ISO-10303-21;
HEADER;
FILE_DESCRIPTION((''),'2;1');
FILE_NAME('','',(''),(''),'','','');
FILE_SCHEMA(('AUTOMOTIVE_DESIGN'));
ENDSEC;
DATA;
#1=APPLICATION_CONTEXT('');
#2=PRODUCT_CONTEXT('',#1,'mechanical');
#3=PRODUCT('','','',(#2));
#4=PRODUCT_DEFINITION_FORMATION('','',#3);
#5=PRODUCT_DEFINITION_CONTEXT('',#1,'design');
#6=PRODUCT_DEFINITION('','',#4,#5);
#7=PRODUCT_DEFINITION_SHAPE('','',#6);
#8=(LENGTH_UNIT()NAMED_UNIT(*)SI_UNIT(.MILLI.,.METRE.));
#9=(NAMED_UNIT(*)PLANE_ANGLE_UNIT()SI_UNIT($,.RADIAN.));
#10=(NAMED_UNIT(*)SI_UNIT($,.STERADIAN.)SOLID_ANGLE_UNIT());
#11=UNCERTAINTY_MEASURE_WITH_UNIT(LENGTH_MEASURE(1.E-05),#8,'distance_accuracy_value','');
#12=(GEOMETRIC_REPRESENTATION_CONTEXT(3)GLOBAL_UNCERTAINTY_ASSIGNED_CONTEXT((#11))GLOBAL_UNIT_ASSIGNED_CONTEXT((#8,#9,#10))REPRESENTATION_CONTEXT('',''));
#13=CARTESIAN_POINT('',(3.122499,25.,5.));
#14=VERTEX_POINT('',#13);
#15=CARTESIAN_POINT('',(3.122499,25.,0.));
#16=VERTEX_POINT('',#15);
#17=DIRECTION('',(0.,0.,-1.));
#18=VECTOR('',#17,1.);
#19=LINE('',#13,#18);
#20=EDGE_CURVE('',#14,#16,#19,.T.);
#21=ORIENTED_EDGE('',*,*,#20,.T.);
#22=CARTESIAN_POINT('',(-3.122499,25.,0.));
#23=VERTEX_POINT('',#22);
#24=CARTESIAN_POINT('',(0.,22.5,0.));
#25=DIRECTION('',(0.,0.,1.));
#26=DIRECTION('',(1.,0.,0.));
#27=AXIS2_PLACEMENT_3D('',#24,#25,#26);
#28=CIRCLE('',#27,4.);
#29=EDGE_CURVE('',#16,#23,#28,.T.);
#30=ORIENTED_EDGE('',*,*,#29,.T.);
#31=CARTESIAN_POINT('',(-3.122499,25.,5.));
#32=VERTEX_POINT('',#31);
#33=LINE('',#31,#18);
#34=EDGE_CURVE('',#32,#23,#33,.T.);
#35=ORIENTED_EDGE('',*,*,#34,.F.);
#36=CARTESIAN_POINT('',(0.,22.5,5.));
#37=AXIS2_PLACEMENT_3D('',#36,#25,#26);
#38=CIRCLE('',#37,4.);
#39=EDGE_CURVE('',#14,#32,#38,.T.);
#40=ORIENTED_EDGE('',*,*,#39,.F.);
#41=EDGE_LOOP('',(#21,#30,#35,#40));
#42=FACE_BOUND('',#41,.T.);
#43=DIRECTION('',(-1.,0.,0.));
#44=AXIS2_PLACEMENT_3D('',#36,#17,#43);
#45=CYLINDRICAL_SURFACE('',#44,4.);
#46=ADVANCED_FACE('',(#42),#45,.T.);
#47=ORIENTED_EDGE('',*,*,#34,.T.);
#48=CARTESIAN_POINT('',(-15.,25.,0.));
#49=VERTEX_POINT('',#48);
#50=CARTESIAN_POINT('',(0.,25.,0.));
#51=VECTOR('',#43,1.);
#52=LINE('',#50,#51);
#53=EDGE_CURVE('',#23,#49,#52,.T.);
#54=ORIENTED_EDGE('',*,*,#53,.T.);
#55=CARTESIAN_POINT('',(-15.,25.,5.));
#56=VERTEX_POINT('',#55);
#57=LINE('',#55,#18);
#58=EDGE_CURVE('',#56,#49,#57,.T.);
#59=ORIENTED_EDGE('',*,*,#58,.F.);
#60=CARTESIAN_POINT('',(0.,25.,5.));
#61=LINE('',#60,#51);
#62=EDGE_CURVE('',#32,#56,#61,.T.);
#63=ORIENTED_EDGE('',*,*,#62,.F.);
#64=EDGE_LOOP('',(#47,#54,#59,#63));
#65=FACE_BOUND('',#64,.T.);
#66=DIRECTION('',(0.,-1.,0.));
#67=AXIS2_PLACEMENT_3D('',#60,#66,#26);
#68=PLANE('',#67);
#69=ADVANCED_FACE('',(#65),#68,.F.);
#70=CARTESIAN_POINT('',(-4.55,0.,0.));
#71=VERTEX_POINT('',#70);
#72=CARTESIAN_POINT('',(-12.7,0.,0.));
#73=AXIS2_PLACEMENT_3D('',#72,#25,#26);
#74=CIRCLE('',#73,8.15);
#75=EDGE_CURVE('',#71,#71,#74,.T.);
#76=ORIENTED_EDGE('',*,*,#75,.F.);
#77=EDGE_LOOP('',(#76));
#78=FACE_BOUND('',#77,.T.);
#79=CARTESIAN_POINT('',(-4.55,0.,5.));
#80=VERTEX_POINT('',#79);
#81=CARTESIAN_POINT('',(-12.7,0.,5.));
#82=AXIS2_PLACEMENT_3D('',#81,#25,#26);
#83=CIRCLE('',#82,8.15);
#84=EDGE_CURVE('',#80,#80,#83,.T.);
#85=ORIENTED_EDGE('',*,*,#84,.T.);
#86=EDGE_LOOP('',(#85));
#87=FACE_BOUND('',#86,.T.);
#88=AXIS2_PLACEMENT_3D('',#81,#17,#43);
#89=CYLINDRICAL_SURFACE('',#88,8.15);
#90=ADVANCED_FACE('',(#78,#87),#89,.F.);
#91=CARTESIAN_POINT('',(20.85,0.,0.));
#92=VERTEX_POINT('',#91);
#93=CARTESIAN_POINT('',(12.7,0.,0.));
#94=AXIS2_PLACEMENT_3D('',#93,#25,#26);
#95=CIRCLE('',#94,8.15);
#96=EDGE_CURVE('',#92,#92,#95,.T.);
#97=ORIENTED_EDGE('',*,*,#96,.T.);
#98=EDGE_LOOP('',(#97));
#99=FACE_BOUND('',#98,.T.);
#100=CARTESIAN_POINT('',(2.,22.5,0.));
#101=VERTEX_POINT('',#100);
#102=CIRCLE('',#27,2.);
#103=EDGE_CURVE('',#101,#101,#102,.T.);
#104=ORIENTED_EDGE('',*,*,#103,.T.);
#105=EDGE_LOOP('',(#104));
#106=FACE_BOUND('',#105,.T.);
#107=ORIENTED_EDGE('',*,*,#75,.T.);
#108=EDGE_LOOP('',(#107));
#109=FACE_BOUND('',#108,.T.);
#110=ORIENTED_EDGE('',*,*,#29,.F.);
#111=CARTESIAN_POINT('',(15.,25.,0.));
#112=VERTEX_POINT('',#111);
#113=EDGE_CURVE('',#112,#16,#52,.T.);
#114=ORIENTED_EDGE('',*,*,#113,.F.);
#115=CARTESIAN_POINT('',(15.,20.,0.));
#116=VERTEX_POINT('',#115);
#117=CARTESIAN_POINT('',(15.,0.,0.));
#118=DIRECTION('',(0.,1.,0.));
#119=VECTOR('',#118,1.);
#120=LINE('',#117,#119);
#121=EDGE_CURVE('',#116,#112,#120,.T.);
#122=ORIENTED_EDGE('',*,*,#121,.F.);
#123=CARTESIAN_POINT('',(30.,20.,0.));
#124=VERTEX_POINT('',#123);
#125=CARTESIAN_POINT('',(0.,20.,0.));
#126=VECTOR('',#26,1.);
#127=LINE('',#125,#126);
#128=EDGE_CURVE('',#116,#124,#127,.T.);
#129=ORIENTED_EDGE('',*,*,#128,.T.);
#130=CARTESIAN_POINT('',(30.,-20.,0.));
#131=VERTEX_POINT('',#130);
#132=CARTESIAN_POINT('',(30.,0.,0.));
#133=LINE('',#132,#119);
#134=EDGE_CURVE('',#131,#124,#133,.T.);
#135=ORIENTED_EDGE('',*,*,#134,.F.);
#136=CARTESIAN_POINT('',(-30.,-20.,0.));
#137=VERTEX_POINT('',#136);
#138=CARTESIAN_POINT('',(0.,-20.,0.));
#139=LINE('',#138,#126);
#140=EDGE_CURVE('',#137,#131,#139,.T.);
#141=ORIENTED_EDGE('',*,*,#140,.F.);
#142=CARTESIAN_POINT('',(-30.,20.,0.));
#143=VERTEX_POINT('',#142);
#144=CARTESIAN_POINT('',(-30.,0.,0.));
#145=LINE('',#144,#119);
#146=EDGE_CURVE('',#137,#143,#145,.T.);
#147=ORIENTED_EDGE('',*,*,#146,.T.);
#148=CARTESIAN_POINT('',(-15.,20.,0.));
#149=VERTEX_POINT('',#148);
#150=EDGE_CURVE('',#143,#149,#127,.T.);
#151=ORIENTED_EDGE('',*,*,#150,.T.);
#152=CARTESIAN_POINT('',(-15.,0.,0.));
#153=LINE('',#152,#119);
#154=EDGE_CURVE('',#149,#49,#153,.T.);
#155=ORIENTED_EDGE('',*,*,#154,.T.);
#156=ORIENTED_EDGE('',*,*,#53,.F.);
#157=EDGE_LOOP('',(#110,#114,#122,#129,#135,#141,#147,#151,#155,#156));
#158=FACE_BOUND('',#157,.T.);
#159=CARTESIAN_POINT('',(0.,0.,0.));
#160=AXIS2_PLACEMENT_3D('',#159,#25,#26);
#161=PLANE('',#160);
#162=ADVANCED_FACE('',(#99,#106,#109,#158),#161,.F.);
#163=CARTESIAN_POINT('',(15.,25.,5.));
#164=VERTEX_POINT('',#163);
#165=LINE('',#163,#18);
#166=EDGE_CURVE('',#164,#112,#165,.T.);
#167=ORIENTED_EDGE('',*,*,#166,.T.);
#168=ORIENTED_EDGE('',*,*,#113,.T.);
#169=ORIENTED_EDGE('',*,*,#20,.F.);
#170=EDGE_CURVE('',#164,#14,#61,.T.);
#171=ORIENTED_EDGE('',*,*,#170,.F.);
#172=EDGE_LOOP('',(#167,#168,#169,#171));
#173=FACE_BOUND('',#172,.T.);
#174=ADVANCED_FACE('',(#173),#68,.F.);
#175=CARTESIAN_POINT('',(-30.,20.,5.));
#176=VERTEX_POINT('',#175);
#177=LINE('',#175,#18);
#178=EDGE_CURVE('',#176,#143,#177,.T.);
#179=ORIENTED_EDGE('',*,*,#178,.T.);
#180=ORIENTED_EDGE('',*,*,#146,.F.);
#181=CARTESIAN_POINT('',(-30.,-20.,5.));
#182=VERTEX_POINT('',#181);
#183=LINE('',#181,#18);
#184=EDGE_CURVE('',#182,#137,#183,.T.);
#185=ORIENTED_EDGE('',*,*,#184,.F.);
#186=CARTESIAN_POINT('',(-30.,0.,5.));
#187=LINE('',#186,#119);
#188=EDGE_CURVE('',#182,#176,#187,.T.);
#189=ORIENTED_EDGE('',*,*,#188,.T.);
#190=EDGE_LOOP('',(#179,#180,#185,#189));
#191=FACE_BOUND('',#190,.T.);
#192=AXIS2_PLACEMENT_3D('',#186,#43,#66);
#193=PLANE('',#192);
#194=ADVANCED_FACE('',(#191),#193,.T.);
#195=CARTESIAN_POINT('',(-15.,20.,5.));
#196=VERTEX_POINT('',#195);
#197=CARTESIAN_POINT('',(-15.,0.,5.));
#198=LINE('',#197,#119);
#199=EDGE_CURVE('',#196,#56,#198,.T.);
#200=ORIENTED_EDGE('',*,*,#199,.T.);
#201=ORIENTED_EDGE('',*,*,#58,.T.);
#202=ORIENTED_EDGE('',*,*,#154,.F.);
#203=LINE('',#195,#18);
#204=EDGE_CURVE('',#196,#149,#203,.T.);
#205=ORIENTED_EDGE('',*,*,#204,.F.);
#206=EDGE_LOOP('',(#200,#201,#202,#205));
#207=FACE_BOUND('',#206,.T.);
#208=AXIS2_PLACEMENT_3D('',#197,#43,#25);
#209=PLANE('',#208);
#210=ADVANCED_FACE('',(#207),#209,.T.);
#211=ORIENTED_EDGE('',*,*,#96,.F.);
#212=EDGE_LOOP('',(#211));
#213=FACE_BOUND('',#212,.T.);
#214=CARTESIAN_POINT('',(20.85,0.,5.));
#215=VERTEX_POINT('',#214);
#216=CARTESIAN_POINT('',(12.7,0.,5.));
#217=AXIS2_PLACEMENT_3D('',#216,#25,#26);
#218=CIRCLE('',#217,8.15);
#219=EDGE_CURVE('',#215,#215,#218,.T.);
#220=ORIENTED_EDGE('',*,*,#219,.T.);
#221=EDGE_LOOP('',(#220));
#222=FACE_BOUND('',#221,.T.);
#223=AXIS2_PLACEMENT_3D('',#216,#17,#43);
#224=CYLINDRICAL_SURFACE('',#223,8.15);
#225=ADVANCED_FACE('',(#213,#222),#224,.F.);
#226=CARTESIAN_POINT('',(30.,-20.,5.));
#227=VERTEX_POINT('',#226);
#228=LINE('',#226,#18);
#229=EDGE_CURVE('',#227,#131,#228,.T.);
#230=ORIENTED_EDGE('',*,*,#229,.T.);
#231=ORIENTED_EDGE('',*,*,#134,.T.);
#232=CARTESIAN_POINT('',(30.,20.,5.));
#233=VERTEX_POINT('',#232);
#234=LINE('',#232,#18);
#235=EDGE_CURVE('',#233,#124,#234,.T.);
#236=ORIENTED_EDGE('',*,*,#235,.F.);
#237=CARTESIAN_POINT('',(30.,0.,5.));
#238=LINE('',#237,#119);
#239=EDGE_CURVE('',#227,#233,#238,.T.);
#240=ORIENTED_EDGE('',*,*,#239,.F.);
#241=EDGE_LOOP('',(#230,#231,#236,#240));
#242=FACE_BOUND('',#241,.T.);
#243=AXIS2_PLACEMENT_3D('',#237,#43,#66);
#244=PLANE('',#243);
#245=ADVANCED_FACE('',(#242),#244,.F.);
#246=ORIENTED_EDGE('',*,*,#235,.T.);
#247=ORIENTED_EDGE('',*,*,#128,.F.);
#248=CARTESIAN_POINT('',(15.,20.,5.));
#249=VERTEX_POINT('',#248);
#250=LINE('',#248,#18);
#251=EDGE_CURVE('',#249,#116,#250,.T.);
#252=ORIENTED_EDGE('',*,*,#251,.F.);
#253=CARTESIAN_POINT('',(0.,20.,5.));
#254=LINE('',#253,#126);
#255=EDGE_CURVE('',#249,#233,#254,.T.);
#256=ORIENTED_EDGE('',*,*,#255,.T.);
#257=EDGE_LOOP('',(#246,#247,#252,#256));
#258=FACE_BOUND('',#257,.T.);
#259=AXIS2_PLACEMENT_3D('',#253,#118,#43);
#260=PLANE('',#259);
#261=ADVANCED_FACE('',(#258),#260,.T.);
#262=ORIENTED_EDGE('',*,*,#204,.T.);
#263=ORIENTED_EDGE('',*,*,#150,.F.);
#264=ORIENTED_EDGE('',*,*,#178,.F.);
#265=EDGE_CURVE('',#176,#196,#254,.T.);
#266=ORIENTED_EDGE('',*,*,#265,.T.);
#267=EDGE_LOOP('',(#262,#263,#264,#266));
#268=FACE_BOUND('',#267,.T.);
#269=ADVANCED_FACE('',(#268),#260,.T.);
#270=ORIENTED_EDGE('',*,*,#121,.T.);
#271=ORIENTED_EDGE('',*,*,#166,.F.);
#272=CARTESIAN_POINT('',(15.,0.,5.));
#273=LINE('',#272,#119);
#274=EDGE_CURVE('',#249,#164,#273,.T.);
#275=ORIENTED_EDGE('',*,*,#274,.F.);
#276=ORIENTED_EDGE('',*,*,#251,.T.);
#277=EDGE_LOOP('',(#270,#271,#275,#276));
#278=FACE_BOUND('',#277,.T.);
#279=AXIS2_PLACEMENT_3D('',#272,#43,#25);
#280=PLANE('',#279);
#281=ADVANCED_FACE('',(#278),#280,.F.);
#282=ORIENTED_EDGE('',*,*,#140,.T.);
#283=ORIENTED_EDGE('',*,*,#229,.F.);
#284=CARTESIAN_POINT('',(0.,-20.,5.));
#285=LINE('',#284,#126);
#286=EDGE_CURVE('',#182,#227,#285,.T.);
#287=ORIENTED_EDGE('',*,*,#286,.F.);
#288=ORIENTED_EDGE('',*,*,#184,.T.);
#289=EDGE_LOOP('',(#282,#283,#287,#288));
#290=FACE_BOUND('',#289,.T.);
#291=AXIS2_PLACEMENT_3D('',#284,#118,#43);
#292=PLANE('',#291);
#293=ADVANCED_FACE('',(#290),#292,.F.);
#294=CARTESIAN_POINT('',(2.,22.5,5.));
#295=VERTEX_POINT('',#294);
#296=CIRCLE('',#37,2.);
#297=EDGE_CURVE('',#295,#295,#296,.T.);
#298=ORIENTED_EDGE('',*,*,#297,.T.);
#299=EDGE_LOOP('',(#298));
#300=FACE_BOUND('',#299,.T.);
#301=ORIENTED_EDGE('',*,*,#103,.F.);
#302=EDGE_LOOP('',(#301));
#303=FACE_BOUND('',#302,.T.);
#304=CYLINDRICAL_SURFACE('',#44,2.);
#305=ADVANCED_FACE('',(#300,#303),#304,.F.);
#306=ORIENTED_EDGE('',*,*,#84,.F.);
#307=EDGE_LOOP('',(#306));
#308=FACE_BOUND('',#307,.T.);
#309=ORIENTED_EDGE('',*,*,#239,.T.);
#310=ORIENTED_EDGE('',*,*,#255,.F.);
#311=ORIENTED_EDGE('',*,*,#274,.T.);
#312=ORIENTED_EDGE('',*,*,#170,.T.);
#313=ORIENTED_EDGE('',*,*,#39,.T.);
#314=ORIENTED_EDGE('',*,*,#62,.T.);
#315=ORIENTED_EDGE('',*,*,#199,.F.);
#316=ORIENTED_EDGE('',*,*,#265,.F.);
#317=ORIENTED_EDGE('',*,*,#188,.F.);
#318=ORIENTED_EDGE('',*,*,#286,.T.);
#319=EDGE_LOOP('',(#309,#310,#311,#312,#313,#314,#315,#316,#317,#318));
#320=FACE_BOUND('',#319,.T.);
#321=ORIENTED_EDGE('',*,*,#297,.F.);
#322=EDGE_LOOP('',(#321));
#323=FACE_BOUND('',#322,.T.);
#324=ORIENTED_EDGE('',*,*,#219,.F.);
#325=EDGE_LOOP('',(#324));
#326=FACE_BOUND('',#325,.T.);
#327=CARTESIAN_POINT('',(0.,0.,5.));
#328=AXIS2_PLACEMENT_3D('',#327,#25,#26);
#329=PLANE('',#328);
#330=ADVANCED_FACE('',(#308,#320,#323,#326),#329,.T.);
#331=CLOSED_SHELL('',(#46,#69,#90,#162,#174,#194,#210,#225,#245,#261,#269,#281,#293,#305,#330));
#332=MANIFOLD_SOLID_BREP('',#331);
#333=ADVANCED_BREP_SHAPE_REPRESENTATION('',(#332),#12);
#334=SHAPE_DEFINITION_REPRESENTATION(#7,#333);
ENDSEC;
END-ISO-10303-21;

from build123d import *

# Parameters (mm, degrees)
ESQUISSE1_R        = 8.15
ESQUISSE1_R_2      = 2
BOSS_EXTRU_1_DEPTH = 5


with BuildPart() as part:
    # Esquisse1 → Boss.-Extru.1 (new body)
    # profile 1 of 7: a face of its own
    with BuildSketch(Plane.XY):
        Polygon((-30, 20), (-30, -20), (30, -20), (30, 20), (15, 20), (15, 15), (-15, 15), (-15, 20), align=None)
        with Locations((-12.7, 0)):
            Circle(ESQUISSE1_R, mode=Mode.SUBTRACT)
        with Locations((12.7, 0)):
            Circle(ESQUISSE1_R, mode=Mode.SUBTRACT)
    # profile 2 of 7: a face of its own
    with BuildSketch(Plane.XY):
        with BuildLine():
            Line((-3.122498999, 20), (-15, 20))
            Line((-15, 20), (-15, 15))
            Line((-15, 15), (15, 15))
            Line((15, 15), (15, 20))
            Line((15, 20), (3.122498999, 20))
            ThreePointArc((3.122498999, 20), (0, 18.5), (-3.122498999, 20))
        make_face()
    # profile 3 of 7: a face of its own
    with BuildSketch(Plane.XY):
        with BuildLine():
            Line((-15, 25), (-15, 20))
            Line((-15, 20), (-3.122498999, 20))
            ThreePointArc((-3.122498999, 20), (-4, 22.5), (-3.122498999, 25))
            Line((-3.122498999, 25), (-15, 25))
        make_face()
    # profile 4 of 7: a face of its own
    with BuildSketch(Plane.XY):
        with BuildLine():
            Line((3.122498999, 20), (15, 20))
            Line((15, 20), (15, 25))
            Line((15, 25), (3.122498999, 25))
            ThreePointArc((3.122498999, 25), (3.774254628, 23.824764885), (4, 22.5))
            ThreePointArc((4, 22.5), (3.774254628, 21.175235115), (3.122498999, 20))
        make_face()
    # profile 5 of 7: a face of its own
    with BuildSketch(Plane.XY):
        with BuildLine():
            Line((3.122498999, 20), (-3.122498999, 20))
            ThreePointArc((-3.122498999, 20), (0, 18.5), (3.122498999, 20))
        make_face()
    # profile 6 of 7: a face of its own
    with BuildSketch(Plane.XY):
        with BuildLine():
            ThreePointArc((-3.122498999, 25), (-4, 22.5), (-3.122498999, 20))
            Line((-3.122498999, 20), (3.122498999, 20))
            ThreePointArc((3.122498999, 20), (3.774254628, 21.175235115), (4, 22.5))
            ThreePointArc((4, 22.5), (3.774254628, 23.824764885), (3.122498999, 25))
            Line((3.122498999, 25), (-3.122498999, 25))
        make_face()
        with Locations((0, 22.5)):
            Circle(ESQUISSE1_R_2, mode=Mode.SUBTRACT)
    # profile 7 of 7: a face of its own
    with BuildSketch(Plane.XY):
        with BuildLine():
            ThreePointArc((3.122498999, 25), (0, 26.5), (-3.122498999, 25))
            Line((-3.122498999, 25), (3.122498999, 25))
        make_face()
    extrude(amount=BOSS_EXTRU_1_DEPTH)


solid = part.part
